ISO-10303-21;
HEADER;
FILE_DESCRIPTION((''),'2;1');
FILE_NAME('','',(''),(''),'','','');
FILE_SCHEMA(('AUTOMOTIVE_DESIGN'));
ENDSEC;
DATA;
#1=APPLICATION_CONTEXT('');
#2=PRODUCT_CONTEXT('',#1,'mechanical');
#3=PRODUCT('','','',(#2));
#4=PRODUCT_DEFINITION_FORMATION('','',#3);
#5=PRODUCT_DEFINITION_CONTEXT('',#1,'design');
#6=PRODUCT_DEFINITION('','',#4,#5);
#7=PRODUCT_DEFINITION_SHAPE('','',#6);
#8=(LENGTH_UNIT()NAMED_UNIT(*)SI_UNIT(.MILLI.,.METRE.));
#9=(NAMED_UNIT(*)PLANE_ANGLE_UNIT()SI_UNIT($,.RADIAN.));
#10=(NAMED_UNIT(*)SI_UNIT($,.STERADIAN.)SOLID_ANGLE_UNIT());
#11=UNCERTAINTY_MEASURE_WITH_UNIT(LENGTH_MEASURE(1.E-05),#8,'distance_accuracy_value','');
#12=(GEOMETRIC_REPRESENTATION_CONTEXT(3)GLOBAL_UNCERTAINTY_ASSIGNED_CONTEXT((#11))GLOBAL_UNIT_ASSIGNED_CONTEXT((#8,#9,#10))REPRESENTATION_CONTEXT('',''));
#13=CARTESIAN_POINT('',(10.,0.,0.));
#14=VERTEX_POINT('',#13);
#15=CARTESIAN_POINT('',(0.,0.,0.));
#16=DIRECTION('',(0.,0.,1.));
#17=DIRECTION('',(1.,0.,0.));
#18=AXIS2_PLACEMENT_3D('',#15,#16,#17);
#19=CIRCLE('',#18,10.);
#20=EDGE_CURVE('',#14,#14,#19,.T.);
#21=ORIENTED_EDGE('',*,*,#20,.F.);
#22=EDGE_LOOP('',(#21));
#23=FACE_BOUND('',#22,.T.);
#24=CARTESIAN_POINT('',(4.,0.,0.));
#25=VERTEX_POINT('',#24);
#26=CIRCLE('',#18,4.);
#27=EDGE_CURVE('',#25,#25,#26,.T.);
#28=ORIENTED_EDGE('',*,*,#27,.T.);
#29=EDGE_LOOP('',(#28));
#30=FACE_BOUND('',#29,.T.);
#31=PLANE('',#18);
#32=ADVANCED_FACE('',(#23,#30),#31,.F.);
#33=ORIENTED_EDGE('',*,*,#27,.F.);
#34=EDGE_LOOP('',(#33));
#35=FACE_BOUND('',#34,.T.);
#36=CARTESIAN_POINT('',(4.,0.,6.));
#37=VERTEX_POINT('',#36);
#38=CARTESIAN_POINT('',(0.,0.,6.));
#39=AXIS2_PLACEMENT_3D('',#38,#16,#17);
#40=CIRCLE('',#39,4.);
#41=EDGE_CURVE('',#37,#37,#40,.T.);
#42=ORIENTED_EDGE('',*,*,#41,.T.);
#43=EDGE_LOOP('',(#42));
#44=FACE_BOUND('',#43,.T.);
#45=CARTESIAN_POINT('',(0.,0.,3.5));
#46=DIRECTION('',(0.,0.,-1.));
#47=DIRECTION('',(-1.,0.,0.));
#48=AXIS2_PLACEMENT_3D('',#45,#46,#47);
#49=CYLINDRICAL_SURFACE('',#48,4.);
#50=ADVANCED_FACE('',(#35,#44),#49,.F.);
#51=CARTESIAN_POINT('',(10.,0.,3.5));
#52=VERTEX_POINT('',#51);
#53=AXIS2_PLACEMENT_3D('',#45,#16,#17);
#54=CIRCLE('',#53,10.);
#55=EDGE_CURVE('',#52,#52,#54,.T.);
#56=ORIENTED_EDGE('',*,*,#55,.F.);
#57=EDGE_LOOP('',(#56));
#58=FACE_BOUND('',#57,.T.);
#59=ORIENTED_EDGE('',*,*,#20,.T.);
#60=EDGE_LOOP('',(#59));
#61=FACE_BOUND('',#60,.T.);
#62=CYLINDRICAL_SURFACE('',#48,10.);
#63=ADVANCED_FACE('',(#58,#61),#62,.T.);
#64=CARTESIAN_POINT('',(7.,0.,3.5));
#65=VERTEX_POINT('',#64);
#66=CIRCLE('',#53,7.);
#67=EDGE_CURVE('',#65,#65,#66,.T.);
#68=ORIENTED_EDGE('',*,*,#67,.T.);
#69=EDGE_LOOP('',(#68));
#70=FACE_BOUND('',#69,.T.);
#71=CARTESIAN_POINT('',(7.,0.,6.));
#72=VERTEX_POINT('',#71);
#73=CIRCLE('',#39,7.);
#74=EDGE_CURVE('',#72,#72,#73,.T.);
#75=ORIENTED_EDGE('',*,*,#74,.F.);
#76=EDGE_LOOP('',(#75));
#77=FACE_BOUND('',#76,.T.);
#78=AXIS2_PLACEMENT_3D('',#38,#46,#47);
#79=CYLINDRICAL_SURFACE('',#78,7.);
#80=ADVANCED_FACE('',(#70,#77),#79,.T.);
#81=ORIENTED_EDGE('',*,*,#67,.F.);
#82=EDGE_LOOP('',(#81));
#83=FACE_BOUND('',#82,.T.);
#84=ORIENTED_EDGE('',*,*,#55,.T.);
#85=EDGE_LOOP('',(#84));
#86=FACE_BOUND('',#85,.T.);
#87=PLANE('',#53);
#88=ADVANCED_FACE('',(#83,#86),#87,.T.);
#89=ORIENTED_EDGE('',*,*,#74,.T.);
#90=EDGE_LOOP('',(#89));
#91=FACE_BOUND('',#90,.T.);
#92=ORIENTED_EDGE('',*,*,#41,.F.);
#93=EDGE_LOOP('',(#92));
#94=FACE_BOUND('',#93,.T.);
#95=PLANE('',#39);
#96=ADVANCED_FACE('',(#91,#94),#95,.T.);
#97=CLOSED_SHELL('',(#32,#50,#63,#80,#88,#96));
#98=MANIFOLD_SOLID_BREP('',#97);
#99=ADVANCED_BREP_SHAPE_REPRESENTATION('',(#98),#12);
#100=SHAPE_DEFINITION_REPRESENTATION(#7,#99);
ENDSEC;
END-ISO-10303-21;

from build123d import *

# Parameters (mm, degrees)
ESQUISSE1_R          = 10
ESQUISSE1_R_2        = 4
BASE_EXTRUSION_DEPTH = 3.5
ESQUISSE2_R          = 7
ESQUISSE2_R_2        = 4
BOSS_EXTRU_1_DEPTH   = 2.5


with BuildPart() as part:
    # Esquisse1 → Base-Extrusion (new body)
    with BuildSketch(Plane.XY):
        Circle(ESQUISSE1_R)
        Circle(ESQUISSE1_R_2, mode=Mode.SUBTRACT)
    extrude(amount=BASE_EXTRUSION_DEPTH)

    # Esquisse2 → Boss.-Extru.1 (add)
    with BuildSketch(Plane.XY.offset(3.5)):
        Circle(ESQUISSE2_R)
        Circle(ESQUISSE2_R_2, mode=Mode.SUBTRACT)
    extrude(amount=BOSS_EXTRU_1_DEPTH)


solid = part.part
